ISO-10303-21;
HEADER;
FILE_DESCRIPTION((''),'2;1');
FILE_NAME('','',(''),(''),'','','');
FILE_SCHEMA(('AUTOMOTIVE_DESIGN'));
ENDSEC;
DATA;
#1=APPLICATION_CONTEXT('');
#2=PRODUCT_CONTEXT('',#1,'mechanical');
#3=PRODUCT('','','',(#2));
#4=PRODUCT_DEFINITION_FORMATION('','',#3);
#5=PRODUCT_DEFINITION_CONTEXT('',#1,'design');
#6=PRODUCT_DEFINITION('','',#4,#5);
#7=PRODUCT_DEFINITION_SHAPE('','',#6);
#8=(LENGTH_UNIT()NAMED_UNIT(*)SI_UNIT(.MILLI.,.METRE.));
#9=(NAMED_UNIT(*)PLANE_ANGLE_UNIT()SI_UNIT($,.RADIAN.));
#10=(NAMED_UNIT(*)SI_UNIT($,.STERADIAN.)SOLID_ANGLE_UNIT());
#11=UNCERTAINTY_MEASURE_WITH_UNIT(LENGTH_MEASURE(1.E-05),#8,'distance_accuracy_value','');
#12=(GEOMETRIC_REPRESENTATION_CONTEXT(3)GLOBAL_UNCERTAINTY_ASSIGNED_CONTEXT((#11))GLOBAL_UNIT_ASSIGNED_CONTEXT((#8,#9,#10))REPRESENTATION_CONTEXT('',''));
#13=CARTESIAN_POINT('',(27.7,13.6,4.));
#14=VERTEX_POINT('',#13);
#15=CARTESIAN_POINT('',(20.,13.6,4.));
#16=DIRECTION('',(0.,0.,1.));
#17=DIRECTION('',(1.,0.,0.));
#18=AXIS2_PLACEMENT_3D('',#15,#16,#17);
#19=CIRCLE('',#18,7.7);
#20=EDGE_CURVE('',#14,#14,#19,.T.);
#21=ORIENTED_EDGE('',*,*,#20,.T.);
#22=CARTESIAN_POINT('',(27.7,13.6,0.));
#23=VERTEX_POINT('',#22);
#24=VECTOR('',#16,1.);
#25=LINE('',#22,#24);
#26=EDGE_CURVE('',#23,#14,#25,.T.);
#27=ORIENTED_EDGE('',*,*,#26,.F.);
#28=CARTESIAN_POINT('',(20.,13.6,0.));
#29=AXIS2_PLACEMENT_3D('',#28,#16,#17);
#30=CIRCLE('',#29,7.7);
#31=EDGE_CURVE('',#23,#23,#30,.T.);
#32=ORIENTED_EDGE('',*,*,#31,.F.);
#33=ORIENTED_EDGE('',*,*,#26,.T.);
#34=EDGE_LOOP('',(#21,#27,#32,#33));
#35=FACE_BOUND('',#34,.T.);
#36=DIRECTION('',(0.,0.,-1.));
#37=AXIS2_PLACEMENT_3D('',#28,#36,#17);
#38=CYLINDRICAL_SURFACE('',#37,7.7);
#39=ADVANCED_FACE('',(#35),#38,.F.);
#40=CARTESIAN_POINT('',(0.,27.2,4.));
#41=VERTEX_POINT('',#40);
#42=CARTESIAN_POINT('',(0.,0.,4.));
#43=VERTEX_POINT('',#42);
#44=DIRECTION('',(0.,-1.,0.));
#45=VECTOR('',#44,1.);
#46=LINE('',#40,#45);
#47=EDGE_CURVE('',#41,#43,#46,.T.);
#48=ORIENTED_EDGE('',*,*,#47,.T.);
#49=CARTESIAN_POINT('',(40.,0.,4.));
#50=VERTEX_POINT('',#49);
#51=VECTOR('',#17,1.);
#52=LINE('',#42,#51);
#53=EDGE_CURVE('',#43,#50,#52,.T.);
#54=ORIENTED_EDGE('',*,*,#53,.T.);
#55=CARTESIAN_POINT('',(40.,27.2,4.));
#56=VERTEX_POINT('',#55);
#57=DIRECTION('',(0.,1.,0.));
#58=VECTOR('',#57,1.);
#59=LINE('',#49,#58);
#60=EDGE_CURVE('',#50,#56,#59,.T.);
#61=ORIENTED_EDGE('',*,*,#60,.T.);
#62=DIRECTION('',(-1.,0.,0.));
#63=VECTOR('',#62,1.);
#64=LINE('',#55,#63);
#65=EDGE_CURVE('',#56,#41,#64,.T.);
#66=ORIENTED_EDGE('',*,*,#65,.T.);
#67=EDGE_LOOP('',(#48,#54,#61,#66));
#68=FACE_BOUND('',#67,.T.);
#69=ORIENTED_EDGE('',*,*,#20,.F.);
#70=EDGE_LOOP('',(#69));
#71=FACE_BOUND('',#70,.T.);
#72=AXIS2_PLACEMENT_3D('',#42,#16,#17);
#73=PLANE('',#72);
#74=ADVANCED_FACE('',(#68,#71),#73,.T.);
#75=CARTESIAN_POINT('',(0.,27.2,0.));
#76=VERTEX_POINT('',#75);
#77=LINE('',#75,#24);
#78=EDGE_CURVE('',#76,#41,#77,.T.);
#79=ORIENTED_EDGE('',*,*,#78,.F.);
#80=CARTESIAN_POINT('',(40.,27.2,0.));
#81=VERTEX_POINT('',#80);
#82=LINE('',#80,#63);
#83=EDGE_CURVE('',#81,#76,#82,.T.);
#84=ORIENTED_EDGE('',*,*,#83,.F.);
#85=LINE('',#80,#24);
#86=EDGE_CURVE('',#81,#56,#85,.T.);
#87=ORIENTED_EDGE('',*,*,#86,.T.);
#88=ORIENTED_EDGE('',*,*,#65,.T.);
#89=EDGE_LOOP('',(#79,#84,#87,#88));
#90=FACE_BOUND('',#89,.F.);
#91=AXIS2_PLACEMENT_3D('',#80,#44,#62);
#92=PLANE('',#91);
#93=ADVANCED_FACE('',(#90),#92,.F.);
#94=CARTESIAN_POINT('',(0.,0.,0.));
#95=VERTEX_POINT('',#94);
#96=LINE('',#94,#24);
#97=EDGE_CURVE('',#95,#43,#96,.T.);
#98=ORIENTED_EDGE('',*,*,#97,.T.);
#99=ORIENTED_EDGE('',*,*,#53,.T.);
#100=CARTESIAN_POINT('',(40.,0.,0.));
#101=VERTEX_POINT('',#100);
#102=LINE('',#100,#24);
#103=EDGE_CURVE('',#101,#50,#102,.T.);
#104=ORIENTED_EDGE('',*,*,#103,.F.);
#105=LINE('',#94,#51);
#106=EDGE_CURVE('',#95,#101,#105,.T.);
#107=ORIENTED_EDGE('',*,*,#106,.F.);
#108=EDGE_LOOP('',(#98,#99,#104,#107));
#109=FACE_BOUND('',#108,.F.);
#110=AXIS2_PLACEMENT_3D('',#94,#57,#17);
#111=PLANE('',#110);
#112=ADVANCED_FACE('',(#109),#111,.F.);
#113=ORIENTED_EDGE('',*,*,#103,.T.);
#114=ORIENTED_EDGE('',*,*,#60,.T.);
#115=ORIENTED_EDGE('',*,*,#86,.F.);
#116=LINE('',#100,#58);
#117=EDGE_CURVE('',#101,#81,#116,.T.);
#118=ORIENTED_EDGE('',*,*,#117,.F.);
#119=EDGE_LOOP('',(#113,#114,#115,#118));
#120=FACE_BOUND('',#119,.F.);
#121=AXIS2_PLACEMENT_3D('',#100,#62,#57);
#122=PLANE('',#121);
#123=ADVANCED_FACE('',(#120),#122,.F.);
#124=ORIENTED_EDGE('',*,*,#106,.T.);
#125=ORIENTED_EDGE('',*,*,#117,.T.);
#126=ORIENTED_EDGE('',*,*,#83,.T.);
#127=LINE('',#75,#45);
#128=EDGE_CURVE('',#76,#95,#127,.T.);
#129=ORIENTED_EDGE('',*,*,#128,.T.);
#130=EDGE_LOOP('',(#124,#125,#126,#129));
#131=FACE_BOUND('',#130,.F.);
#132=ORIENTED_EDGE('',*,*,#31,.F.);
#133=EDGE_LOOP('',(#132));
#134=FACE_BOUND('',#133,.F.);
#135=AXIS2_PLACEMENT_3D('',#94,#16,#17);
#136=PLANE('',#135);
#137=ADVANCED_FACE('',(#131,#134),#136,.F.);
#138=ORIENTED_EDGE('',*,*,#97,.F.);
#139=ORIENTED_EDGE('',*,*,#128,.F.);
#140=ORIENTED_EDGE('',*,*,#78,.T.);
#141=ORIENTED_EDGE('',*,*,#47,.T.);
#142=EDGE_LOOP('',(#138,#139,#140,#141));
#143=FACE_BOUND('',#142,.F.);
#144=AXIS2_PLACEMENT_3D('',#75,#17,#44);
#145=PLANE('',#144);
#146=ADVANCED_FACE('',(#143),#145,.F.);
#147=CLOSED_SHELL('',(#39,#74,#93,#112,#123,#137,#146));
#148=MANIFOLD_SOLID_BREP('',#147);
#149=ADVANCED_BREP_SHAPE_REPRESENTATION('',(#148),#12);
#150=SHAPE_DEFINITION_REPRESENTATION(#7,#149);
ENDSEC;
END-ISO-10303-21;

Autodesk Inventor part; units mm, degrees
ref_plane "YZ Plane" through (0, 0, 0) normal (1, 0, 0) x (0, 1, 0)
ref_plane "XZ Plane" through (0, 0, 0) normal (0, 1, 0) x (-1, 0, 0)
ref_plane "XY Plane" through (0, 0, 0) normal (0, 0, 1) x (1, 0, 0)
sketch "スケッチ1" plane through (0, 0, 0) normal (0, 0, 1) x (1, 0, 0)
  line L0 (0, 0) -> (40, 0)
  line L1 (40, 0) -> (40, 27.2)
  line L2 (40, 27.2) -> (0, 27.2)
  line L3 (0, 27.2) -> (0, 0)
  circle A0 centre (20, 13.6) radius 7.7
  dimension "d3" = 40
  dimension "d4" = 27.2
  dimension "d5" = 15.4
extrude "押し出し1" add sketch "スケッチ1" along normal blind 4
properties part number "Plate2"
